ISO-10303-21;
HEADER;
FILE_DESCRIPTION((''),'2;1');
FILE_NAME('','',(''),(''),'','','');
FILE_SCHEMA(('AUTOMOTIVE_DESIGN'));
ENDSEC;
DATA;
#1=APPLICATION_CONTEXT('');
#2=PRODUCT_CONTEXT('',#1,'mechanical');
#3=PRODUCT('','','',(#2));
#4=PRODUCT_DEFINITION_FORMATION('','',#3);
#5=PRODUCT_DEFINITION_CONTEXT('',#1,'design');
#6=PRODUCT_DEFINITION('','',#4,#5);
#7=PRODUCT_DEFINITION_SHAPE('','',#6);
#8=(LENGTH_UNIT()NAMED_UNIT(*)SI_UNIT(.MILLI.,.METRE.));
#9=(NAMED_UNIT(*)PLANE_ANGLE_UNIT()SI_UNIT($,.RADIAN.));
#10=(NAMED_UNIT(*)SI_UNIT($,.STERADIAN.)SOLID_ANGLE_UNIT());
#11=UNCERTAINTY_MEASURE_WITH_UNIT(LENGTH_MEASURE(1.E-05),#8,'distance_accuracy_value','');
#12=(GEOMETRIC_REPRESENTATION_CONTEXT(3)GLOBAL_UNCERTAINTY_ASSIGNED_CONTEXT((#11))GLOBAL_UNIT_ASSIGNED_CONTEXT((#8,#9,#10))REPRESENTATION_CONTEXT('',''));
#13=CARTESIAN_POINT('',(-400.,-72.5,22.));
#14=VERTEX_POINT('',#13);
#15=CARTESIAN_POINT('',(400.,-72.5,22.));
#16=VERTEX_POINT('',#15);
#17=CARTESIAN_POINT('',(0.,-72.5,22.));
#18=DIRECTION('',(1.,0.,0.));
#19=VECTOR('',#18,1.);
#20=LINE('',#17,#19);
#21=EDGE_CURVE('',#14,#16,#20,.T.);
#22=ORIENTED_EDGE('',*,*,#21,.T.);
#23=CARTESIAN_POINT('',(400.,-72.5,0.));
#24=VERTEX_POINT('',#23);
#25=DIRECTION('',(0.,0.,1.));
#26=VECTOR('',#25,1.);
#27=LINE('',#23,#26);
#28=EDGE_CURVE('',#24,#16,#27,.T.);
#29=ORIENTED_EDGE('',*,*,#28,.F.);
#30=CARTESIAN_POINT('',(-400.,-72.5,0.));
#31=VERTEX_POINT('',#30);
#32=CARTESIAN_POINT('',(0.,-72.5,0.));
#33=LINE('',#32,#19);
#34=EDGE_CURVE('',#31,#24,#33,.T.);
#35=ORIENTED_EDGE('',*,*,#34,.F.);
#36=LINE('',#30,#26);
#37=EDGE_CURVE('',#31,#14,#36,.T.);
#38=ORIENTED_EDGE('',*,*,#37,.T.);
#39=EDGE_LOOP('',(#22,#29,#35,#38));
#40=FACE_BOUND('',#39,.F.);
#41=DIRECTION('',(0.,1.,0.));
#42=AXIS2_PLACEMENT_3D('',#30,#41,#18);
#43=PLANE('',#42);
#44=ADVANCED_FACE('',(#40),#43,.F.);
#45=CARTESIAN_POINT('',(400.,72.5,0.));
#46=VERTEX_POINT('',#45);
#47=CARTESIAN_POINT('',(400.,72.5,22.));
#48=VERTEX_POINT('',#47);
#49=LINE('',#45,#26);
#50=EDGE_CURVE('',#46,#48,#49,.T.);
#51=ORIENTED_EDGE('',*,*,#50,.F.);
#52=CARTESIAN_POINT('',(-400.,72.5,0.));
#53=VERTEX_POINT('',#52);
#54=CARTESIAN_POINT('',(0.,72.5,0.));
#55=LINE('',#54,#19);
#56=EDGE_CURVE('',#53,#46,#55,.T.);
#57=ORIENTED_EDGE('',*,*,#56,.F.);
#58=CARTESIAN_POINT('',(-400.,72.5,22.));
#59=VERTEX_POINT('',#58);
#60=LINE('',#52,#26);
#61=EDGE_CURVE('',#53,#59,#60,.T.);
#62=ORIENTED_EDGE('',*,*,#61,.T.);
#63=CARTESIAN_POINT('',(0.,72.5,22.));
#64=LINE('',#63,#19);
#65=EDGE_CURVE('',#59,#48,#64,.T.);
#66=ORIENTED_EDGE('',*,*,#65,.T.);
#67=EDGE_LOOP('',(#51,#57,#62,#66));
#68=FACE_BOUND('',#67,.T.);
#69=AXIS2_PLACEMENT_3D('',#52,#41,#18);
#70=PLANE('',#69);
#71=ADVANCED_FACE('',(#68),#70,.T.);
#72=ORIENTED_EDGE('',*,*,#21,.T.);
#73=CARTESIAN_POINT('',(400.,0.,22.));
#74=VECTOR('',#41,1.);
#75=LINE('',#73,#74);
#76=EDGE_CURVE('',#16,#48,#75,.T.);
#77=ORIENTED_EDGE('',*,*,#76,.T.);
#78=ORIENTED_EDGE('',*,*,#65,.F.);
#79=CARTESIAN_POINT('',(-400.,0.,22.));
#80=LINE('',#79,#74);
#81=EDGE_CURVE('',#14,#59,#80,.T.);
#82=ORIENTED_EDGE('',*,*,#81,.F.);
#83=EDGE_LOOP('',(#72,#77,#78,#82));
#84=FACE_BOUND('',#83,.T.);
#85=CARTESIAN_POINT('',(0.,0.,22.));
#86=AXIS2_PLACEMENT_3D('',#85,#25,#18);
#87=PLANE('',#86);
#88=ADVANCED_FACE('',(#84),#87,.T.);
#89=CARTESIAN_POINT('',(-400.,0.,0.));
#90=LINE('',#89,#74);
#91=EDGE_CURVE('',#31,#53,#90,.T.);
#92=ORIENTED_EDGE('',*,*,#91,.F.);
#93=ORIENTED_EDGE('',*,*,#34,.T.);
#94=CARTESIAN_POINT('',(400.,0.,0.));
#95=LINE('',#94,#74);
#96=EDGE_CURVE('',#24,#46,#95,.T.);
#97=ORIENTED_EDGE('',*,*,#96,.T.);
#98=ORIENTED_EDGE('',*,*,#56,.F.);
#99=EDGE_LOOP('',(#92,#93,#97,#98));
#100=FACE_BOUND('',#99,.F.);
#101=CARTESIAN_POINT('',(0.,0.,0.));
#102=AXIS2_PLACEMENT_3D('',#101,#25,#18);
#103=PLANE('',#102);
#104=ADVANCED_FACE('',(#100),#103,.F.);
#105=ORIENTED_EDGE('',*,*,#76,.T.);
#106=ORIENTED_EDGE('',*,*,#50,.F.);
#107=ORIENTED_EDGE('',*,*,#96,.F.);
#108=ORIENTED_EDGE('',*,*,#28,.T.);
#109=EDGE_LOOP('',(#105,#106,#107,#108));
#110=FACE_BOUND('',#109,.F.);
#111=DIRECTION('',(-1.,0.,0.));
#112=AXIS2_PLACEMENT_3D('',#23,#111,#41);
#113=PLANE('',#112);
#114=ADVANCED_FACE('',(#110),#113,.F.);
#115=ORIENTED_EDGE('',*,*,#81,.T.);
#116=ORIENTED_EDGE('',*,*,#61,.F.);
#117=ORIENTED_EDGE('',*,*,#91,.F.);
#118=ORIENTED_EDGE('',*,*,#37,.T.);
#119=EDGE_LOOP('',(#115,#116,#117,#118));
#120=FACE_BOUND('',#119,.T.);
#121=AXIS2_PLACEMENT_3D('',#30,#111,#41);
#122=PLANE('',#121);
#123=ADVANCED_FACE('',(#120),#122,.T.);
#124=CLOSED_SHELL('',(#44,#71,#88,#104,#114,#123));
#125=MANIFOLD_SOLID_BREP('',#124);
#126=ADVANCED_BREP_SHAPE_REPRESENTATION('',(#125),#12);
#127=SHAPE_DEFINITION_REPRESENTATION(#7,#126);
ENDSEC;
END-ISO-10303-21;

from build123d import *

# Parameters (mm, degrees)
SKETCH1_W           = 800
SKETCH1_H           = 145
BOSS_EXTRUDE1_DEPTH = 22


with BuildPart() as part:
    # Sketch1 → Boss-Extrude1 (new body)
    with BuildSketch(Plane.XY):
        Rectangle(SKETCH1_W, SKETCH1_H)
    extrude(amount=BOSS_EXTRUDE1_DEPTH)


solid = part.part
